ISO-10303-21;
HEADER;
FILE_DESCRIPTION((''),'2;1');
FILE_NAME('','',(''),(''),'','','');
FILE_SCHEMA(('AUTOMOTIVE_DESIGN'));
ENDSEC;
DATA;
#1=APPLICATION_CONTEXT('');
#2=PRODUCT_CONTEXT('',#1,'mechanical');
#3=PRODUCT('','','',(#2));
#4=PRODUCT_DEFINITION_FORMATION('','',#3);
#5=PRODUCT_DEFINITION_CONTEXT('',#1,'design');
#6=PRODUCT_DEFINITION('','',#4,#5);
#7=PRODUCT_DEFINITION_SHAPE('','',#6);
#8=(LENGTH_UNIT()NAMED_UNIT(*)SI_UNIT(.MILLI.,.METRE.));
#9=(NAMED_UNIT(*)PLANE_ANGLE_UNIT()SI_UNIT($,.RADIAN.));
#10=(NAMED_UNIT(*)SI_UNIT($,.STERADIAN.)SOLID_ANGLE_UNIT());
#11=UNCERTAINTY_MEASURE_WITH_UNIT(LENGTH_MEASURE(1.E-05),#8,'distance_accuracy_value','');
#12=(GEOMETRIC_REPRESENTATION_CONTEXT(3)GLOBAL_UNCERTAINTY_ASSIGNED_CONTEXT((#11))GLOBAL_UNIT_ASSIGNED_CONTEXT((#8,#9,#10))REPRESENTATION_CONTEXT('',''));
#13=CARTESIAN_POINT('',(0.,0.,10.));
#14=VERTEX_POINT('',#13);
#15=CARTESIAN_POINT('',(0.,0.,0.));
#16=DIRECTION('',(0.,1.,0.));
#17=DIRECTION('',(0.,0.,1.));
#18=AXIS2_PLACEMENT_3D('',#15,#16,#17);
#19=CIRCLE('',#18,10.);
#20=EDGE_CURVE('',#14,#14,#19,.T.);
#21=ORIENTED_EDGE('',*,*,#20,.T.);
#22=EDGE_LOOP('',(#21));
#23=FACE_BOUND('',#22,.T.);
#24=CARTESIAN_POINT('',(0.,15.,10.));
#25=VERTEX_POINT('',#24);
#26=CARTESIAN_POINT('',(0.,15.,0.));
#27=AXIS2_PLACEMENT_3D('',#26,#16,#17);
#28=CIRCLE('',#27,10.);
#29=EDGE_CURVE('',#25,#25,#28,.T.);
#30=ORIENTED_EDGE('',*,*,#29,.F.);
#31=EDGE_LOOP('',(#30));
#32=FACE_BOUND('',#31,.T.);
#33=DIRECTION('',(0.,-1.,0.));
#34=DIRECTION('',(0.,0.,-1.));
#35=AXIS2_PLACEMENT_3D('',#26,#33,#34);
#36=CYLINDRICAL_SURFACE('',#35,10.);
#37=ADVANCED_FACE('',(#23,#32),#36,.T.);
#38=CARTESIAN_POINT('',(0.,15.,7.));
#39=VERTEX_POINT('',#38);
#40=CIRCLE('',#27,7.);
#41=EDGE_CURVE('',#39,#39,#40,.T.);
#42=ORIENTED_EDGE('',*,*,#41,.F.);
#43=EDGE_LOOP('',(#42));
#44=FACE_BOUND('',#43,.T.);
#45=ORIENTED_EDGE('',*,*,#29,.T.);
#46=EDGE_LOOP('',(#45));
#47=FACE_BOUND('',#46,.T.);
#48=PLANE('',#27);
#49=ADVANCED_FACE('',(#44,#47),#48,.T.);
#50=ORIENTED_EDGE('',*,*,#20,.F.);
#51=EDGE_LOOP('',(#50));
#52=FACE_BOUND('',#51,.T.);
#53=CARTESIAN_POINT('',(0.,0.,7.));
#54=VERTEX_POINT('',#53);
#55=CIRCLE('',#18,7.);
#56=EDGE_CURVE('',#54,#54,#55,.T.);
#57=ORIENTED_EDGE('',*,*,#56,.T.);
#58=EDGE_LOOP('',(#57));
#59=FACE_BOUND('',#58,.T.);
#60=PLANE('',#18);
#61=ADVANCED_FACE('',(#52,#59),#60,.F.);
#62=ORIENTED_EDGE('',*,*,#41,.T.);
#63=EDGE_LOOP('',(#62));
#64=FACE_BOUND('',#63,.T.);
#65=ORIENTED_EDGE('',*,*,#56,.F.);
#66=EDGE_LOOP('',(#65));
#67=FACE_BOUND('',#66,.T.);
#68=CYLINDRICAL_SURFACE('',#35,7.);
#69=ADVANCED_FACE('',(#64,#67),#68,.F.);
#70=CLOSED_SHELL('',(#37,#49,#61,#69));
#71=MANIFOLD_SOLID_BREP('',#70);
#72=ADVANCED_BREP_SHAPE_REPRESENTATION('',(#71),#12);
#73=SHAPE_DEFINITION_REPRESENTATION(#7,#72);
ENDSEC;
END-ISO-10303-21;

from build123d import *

# Parameters (mm, degrees)
SKETCH1_R           = 7
BOSS_EXTRUDE1_DEPTH = 15
SHELL2_T            = 3


with BuildPart() as part:
    # Sketch1 → Boss-Extrude1 (new body)
    with BuildSketch(Plane(origin=(0, 0, 0), x_dir=(1, 0, 0), z_dir=(0, 1, 0))):
        with Locations(Location((0, 0, 0), (0, 0, 270))):
            Circle(SKETCH1_R)
    extrude(amount=BOSS_EXTRUDE1_DEPTH)

    # Shell2
    shell2_openings = [part.faces().sort_by_distance(p)[0] for p in [
        (0, 0, 0),
        (0, 15, 0),
    ]]
    offset(amount=SHELL2_T, openings=shell2_openings, kind=Kind.INTERSECTION)


solid = part.part
